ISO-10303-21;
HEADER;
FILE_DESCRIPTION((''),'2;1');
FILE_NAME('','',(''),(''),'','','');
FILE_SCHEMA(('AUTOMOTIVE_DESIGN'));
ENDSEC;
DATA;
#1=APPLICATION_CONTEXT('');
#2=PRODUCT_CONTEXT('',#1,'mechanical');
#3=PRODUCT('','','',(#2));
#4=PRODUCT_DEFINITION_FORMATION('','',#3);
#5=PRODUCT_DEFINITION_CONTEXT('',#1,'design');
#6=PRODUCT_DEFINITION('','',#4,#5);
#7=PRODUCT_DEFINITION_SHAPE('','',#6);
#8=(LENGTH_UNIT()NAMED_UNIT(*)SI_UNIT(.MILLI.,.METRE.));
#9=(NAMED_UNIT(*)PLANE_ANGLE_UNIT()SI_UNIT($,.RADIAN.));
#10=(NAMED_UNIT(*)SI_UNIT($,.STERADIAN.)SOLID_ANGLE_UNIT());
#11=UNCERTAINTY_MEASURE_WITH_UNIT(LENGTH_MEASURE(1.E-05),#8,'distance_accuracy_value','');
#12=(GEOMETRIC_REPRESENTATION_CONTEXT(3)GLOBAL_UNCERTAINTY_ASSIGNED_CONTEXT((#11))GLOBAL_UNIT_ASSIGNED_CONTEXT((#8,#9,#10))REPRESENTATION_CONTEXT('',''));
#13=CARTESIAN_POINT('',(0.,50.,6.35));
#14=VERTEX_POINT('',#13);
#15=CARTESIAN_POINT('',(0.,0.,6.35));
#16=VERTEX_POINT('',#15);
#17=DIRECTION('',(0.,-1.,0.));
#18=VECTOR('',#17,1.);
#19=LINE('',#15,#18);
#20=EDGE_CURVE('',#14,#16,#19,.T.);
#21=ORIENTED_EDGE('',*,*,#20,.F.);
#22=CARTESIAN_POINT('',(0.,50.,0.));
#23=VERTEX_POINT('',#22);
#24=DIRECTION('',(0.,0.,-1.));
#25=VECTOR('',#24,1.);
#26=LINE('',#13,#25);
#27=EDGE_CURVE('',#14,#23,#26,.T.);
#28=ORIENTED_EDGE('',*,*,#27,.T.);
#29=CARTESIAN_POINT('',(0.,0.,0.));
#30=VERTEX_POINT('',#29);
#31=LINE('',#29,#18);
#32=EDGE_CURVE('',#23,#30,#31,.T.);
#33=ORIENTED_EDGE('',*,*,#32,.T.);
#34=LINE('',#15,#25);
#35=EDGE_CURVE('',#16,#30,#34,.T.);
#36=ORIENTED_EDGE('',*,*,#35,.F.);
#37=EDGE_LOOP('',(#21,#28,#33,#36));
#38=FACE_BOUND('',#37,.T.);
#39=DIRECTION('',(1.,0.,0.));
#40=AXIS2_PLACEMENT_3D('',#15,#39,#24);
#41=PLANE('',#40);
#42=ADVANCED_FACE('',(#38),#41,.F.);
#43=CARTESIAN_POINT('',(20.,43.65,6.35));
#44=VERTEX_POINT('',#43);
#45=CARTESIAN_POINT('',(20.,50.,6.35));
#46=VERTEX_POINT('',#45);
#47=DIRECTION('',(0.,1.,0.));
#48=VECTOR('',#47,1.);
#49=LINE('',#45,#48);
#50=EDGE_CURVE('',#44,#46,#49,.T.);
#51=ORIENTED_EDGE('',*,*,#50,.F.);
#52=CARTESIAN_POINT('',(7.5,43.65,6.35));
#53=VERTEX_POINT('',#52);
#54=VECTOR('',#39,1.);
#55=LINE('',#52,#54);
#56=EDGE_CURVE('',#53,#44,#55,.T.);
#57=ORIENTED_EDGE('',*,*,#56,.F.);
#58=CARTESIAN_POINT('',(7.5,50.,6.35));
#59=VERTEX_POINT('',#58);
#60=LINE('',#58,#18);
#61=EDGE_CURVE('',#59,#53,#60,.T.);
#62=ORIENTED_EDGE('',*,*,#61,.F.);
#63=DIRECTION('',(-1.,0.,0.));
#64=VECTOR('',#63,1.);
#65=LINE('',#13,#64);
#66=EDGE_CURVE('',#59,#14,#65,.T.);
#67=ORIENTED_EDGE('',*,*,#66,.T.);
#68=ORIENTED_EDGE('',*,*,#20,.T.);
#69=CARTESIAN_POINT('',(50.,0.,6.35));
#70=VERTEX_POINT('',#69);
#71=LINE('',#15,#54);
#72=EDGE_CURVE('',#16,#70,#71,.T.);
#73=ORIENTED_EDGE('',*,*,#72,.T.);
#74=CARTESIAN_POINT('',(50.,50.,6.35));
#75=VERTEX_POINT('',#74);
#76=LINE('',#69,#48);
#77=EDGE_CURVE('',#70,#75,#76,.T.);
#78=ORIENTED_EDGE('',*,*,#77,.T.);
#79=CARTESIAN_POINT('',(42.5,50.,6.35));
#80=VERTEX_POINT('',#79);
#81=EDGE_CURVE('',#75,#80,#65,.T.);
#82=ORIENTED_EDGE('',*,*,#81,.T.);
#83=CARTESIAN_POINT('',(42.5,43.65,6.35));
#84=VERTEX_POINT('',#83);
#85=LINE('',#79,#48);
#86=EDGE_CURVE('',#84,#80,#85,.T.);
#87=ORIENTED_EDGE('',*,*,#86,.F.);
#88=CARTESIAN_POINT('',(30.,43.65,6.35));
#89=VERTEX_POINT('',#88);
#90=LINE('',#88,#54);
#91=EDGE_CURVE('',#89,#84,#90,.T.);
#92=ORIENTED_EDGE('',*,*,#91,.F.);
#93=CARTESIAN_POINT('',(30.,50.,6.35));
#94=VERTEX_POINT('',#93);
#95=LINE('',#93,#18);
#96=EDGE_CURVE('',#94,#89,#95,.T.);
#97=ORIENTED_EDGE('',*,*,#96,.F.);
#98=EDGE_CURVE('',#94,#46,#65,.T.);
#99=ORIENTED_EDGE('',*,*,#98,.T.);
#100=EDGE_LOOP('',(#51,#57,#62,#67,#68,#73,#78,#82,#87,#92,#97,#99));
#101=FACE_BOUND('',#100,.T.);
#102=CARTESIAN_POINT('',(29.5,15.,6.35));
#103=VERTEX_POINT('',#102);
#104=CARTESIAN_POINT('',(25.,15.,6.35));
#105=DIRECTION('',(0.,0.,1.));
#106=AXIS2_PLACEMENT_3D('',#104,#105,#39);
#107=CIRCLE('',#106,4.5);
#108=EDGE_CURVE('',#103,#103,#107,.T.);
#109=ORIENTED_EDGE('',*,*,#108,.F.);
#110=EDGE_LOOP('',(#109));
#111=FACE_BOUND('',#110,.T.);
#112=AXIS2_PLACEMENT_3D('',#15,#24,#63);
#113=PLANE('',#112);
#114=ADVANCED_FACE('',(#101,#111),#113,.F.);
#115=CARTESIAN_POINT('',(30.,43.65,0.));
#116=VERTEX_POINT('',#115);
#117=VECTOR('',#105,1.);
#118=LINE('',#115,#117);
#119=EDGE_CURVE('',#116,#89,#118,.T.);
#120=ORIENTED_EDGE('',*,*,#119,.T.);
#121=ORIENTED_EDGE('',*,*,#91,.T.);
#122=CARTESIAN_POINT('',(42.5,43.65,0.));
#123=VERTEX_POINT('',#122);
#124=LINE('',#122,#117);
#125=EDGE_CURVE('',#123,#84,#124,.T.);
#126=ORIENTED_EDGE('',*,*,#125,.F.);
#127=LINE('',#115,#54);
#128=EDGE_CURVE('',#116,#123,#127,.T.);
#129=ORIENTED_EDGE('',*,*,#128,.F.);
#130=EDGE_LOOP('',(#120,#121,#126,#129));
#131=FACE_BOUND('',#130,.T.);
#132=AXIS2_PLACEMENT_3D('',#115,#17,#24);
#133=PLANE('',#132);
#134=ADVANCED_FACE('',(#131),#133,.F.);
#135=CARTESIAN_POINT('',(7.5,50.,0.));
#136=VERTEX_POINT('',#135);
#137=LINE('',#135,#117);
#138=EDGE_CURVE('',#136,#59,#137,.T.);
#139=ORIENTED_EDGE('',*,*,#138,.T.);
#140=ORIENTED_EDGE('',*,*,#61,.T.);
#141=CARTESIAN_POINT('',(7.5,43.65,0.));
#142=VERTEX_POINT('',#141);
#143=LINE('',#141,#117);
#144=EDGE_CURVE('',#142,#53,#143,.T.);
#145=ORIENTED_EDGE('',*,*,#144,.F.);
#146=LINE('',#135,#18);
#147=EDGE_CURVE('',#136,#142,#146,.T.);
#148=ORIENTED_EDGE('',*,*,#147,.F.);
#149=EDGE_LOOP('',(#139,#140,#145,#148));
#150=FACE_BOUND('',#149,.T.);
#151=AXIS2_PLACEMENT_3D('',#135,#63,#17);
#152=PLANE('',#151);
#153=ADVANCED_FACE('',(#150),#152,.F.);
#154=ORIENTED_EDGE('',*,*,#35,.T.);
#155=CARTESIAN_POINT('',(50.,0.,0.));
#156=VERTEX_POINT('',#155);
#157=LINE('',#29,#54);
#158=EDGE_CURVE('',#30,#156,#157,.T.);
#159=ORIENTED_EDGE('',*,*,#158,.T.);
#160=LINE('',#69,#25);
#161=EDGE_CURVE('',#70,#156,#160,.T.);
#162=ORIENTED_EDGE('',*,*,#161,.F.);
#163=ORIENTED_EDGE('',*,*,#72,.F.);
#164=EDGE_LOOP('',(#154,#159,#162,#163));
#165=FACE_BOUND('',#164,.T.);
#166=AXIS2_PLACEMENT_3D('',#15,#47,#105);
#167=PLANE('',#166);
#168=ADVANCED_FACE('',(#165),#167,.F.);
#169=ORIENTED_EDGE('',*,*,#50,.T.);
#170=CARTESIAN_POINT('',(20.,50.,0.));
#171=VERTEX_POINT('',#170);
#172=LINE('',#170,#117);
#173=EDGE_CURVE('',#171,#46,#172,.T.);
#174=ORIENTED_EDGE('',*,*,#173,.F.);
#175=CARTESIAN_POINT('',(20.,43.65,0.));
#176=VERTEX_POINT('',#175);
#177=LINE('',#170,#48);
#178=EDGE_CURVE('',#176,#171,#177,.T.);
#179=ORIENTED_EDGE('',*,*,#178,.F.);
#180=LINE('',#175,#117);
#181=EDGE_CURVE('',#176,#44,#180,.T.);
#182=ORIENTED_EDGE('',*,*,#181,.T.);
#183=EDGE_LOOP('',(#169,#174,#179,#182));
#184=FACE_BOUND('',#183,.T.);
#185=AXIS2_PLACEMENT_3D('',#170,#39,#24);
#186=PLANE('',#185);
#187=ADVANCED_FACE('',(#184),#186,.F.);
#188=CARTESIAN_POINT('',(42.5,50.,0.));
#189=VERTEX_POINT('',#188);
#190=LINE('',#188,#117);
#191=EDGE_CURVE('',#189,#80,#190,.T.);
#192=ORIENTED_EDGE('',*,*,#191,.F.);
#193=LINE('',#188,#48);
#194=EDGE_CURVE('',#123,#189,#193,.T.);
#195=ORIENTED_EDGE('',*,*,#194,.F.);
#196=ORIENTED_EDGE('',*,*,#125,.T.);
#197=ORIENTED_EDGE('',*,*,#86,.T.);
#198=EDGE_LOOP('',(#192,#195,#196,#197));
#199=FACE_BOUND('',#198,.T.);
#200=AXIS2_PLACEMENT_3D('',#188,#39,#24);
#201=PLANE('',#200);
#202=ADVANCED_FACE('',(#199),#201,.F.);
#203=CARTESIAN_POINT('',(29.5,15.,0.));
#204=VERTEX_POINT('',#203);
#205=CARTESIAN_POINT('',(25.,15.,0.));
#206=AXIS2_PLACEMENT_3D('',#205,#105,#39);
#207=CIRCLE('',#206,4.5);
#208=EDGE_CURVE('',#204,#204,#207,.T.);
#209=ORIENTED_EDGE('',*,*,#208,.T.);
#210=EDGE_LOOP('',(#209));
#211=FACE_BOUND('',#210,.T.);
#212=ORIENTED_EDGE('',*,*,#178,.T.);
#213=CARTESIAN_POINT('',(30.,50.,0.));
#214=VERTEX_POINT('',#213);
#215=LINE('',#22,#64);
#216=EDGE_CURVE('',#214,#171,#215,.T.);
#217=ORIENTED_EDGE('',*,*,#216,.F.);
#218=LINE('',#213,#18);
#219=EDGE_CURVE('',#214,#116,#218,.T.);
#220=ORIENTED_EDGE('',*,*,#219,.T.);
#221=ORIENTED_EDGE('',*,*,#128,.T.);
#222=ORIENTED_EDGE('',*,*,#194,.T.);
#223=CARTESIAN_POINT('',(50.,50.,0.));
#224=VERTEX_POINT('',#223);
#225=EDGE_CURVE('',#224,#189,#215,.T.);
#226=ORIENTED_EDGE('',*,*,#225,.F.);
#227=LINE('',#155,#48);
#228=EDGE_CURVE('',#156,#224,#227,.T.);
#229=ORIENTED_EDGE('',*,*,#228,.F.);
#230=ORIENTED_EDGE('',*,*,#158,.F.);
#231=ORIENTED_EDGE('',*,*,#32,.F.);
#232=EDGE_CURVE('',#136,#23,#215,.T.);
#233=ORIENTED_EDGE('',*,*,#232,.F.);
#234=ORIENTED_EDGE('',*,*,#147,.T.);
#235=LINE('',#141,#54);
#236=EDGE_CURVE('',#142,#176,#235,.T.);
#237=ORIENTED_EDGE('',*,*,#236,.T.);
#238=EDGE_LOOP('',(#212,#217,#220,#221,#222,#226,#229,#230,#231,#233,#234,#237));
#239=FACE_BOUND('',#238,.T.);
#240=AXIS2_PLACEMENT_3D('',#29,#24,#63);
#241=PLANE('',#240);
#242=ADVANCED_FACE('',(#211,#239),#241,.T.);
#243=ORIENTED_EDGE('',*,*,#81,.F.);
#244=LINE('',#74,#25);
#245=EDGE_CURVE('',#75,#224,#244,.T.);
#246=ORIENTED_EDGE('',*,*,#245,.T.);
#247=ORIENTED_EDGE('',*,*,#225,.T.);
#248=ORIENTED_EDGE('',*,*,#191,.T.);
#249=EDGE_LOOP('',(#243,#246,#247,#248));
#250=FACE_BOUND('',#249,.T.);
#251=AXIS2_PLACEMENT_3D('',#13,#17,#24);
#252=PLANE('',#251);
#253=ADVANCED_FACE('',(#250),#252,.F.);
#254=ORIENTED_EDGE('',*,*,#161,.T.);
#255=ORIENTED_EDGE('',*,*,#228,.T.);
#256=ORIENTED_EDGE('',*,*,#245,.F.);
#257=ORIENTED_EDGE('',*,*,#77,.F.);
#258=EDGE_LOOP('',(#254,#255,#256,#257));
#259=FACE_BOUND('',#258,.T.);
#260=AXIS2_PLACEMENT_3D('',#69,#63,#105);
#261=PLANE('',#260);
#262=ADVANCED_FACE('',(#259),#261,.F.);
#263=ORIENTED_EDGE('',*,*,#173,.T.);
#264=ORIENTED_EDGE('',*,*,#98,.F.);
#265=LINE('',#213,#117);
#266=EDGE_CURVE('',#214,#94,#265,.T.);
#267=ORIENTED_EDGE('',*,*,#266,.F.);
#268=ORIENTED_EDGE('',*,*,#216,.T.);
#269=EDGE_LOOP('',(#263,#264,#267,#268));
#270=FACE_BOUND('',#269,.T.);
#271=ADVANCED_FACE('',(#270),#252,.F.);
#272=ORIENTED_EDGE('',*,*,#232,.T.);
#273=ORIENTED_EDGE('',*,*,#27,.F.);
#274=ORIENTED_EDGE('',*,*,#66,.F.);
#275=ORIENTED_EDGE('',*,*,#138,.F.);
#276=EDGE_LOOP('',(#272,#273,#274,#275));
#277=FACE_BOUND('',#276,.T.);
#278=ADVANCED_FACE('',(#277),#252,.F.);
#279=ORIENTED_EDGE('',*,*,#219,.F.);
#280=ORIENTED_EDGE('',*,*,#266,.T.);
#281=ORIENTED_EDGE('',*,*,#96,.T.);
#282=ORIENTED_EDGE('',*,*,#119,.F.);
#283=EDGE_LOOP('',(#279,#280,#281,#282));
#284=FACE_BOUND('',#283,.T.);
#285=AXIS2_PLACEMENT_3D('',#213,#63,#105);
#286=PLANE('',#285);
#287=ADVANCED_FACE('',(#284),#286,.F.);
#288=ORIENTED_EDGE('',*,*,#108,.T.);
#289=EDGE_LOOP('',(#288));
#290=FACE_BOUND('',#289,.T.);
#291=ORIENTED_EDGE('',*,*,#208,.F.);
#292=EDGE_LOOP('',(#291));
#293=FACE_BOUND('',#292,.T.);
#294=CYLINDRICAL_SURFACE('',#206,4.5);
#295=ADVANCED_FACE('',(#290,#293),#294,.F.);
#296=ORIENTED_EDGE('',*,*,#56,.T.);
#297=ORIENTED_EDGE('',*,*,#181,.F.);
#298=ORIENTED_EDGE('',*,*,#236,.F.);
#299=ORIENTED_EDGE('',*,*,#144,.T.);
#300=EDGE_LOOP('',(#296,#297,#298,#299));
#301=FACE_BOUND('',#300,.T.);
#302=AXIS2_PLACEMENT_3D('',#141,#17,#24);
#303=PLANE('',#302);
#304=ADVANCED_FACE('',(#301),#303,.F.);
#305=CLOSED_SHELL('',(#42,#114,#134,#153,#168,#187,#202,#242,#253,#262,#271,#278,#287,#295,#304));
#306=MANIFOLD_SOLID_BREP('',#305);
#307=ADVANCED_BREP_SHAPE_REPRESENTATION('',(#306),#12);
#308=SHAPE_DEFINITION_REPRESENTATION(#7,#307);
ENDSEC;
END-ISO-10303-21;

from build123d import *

# Parameters (mm, degrees)
SKETCH1_W           = 50
SKETCH1_H           = 50
BOSS_EXTRUDE1_DEPTH = 6.35
SKETCH4_R           = 4.5
SKETCH4_W           = 12.5
SKETCH4_H           = 6.35
CUT_EXTRUDE1_DEPTH  = 6.35


with BuildPart() as part:
    # Sketch1 → Boss-Extrude1 (new body)
    with BuildSketch(Plane.XY):
        with Locations((25, 25)):
            Rectangle(SKETCH1_W, SKETCH1_H)
    extrude(amount=BOSS_EXTRUDE1_DEPTH)

    # Sketch4 → Cut-Extrude1 (cut)
    with BuildSketch(Plane.XY.offset(6.35)):
        with Locations((25, 15)):
            Circle(SKETCH4_R)
        with Locations((13.75, 46.825)):
            Rectangle(SKETCH4_W, SKETCH4_H)
        with Locations((36.25, 46.825)):
            Rectangle(SKETCH4_W, SKETCH4_H)
    extrude(amount=-CUT_EXTRUDE1_DEPTH, mode=Mode.SUBTRACT)


solid = part.part
